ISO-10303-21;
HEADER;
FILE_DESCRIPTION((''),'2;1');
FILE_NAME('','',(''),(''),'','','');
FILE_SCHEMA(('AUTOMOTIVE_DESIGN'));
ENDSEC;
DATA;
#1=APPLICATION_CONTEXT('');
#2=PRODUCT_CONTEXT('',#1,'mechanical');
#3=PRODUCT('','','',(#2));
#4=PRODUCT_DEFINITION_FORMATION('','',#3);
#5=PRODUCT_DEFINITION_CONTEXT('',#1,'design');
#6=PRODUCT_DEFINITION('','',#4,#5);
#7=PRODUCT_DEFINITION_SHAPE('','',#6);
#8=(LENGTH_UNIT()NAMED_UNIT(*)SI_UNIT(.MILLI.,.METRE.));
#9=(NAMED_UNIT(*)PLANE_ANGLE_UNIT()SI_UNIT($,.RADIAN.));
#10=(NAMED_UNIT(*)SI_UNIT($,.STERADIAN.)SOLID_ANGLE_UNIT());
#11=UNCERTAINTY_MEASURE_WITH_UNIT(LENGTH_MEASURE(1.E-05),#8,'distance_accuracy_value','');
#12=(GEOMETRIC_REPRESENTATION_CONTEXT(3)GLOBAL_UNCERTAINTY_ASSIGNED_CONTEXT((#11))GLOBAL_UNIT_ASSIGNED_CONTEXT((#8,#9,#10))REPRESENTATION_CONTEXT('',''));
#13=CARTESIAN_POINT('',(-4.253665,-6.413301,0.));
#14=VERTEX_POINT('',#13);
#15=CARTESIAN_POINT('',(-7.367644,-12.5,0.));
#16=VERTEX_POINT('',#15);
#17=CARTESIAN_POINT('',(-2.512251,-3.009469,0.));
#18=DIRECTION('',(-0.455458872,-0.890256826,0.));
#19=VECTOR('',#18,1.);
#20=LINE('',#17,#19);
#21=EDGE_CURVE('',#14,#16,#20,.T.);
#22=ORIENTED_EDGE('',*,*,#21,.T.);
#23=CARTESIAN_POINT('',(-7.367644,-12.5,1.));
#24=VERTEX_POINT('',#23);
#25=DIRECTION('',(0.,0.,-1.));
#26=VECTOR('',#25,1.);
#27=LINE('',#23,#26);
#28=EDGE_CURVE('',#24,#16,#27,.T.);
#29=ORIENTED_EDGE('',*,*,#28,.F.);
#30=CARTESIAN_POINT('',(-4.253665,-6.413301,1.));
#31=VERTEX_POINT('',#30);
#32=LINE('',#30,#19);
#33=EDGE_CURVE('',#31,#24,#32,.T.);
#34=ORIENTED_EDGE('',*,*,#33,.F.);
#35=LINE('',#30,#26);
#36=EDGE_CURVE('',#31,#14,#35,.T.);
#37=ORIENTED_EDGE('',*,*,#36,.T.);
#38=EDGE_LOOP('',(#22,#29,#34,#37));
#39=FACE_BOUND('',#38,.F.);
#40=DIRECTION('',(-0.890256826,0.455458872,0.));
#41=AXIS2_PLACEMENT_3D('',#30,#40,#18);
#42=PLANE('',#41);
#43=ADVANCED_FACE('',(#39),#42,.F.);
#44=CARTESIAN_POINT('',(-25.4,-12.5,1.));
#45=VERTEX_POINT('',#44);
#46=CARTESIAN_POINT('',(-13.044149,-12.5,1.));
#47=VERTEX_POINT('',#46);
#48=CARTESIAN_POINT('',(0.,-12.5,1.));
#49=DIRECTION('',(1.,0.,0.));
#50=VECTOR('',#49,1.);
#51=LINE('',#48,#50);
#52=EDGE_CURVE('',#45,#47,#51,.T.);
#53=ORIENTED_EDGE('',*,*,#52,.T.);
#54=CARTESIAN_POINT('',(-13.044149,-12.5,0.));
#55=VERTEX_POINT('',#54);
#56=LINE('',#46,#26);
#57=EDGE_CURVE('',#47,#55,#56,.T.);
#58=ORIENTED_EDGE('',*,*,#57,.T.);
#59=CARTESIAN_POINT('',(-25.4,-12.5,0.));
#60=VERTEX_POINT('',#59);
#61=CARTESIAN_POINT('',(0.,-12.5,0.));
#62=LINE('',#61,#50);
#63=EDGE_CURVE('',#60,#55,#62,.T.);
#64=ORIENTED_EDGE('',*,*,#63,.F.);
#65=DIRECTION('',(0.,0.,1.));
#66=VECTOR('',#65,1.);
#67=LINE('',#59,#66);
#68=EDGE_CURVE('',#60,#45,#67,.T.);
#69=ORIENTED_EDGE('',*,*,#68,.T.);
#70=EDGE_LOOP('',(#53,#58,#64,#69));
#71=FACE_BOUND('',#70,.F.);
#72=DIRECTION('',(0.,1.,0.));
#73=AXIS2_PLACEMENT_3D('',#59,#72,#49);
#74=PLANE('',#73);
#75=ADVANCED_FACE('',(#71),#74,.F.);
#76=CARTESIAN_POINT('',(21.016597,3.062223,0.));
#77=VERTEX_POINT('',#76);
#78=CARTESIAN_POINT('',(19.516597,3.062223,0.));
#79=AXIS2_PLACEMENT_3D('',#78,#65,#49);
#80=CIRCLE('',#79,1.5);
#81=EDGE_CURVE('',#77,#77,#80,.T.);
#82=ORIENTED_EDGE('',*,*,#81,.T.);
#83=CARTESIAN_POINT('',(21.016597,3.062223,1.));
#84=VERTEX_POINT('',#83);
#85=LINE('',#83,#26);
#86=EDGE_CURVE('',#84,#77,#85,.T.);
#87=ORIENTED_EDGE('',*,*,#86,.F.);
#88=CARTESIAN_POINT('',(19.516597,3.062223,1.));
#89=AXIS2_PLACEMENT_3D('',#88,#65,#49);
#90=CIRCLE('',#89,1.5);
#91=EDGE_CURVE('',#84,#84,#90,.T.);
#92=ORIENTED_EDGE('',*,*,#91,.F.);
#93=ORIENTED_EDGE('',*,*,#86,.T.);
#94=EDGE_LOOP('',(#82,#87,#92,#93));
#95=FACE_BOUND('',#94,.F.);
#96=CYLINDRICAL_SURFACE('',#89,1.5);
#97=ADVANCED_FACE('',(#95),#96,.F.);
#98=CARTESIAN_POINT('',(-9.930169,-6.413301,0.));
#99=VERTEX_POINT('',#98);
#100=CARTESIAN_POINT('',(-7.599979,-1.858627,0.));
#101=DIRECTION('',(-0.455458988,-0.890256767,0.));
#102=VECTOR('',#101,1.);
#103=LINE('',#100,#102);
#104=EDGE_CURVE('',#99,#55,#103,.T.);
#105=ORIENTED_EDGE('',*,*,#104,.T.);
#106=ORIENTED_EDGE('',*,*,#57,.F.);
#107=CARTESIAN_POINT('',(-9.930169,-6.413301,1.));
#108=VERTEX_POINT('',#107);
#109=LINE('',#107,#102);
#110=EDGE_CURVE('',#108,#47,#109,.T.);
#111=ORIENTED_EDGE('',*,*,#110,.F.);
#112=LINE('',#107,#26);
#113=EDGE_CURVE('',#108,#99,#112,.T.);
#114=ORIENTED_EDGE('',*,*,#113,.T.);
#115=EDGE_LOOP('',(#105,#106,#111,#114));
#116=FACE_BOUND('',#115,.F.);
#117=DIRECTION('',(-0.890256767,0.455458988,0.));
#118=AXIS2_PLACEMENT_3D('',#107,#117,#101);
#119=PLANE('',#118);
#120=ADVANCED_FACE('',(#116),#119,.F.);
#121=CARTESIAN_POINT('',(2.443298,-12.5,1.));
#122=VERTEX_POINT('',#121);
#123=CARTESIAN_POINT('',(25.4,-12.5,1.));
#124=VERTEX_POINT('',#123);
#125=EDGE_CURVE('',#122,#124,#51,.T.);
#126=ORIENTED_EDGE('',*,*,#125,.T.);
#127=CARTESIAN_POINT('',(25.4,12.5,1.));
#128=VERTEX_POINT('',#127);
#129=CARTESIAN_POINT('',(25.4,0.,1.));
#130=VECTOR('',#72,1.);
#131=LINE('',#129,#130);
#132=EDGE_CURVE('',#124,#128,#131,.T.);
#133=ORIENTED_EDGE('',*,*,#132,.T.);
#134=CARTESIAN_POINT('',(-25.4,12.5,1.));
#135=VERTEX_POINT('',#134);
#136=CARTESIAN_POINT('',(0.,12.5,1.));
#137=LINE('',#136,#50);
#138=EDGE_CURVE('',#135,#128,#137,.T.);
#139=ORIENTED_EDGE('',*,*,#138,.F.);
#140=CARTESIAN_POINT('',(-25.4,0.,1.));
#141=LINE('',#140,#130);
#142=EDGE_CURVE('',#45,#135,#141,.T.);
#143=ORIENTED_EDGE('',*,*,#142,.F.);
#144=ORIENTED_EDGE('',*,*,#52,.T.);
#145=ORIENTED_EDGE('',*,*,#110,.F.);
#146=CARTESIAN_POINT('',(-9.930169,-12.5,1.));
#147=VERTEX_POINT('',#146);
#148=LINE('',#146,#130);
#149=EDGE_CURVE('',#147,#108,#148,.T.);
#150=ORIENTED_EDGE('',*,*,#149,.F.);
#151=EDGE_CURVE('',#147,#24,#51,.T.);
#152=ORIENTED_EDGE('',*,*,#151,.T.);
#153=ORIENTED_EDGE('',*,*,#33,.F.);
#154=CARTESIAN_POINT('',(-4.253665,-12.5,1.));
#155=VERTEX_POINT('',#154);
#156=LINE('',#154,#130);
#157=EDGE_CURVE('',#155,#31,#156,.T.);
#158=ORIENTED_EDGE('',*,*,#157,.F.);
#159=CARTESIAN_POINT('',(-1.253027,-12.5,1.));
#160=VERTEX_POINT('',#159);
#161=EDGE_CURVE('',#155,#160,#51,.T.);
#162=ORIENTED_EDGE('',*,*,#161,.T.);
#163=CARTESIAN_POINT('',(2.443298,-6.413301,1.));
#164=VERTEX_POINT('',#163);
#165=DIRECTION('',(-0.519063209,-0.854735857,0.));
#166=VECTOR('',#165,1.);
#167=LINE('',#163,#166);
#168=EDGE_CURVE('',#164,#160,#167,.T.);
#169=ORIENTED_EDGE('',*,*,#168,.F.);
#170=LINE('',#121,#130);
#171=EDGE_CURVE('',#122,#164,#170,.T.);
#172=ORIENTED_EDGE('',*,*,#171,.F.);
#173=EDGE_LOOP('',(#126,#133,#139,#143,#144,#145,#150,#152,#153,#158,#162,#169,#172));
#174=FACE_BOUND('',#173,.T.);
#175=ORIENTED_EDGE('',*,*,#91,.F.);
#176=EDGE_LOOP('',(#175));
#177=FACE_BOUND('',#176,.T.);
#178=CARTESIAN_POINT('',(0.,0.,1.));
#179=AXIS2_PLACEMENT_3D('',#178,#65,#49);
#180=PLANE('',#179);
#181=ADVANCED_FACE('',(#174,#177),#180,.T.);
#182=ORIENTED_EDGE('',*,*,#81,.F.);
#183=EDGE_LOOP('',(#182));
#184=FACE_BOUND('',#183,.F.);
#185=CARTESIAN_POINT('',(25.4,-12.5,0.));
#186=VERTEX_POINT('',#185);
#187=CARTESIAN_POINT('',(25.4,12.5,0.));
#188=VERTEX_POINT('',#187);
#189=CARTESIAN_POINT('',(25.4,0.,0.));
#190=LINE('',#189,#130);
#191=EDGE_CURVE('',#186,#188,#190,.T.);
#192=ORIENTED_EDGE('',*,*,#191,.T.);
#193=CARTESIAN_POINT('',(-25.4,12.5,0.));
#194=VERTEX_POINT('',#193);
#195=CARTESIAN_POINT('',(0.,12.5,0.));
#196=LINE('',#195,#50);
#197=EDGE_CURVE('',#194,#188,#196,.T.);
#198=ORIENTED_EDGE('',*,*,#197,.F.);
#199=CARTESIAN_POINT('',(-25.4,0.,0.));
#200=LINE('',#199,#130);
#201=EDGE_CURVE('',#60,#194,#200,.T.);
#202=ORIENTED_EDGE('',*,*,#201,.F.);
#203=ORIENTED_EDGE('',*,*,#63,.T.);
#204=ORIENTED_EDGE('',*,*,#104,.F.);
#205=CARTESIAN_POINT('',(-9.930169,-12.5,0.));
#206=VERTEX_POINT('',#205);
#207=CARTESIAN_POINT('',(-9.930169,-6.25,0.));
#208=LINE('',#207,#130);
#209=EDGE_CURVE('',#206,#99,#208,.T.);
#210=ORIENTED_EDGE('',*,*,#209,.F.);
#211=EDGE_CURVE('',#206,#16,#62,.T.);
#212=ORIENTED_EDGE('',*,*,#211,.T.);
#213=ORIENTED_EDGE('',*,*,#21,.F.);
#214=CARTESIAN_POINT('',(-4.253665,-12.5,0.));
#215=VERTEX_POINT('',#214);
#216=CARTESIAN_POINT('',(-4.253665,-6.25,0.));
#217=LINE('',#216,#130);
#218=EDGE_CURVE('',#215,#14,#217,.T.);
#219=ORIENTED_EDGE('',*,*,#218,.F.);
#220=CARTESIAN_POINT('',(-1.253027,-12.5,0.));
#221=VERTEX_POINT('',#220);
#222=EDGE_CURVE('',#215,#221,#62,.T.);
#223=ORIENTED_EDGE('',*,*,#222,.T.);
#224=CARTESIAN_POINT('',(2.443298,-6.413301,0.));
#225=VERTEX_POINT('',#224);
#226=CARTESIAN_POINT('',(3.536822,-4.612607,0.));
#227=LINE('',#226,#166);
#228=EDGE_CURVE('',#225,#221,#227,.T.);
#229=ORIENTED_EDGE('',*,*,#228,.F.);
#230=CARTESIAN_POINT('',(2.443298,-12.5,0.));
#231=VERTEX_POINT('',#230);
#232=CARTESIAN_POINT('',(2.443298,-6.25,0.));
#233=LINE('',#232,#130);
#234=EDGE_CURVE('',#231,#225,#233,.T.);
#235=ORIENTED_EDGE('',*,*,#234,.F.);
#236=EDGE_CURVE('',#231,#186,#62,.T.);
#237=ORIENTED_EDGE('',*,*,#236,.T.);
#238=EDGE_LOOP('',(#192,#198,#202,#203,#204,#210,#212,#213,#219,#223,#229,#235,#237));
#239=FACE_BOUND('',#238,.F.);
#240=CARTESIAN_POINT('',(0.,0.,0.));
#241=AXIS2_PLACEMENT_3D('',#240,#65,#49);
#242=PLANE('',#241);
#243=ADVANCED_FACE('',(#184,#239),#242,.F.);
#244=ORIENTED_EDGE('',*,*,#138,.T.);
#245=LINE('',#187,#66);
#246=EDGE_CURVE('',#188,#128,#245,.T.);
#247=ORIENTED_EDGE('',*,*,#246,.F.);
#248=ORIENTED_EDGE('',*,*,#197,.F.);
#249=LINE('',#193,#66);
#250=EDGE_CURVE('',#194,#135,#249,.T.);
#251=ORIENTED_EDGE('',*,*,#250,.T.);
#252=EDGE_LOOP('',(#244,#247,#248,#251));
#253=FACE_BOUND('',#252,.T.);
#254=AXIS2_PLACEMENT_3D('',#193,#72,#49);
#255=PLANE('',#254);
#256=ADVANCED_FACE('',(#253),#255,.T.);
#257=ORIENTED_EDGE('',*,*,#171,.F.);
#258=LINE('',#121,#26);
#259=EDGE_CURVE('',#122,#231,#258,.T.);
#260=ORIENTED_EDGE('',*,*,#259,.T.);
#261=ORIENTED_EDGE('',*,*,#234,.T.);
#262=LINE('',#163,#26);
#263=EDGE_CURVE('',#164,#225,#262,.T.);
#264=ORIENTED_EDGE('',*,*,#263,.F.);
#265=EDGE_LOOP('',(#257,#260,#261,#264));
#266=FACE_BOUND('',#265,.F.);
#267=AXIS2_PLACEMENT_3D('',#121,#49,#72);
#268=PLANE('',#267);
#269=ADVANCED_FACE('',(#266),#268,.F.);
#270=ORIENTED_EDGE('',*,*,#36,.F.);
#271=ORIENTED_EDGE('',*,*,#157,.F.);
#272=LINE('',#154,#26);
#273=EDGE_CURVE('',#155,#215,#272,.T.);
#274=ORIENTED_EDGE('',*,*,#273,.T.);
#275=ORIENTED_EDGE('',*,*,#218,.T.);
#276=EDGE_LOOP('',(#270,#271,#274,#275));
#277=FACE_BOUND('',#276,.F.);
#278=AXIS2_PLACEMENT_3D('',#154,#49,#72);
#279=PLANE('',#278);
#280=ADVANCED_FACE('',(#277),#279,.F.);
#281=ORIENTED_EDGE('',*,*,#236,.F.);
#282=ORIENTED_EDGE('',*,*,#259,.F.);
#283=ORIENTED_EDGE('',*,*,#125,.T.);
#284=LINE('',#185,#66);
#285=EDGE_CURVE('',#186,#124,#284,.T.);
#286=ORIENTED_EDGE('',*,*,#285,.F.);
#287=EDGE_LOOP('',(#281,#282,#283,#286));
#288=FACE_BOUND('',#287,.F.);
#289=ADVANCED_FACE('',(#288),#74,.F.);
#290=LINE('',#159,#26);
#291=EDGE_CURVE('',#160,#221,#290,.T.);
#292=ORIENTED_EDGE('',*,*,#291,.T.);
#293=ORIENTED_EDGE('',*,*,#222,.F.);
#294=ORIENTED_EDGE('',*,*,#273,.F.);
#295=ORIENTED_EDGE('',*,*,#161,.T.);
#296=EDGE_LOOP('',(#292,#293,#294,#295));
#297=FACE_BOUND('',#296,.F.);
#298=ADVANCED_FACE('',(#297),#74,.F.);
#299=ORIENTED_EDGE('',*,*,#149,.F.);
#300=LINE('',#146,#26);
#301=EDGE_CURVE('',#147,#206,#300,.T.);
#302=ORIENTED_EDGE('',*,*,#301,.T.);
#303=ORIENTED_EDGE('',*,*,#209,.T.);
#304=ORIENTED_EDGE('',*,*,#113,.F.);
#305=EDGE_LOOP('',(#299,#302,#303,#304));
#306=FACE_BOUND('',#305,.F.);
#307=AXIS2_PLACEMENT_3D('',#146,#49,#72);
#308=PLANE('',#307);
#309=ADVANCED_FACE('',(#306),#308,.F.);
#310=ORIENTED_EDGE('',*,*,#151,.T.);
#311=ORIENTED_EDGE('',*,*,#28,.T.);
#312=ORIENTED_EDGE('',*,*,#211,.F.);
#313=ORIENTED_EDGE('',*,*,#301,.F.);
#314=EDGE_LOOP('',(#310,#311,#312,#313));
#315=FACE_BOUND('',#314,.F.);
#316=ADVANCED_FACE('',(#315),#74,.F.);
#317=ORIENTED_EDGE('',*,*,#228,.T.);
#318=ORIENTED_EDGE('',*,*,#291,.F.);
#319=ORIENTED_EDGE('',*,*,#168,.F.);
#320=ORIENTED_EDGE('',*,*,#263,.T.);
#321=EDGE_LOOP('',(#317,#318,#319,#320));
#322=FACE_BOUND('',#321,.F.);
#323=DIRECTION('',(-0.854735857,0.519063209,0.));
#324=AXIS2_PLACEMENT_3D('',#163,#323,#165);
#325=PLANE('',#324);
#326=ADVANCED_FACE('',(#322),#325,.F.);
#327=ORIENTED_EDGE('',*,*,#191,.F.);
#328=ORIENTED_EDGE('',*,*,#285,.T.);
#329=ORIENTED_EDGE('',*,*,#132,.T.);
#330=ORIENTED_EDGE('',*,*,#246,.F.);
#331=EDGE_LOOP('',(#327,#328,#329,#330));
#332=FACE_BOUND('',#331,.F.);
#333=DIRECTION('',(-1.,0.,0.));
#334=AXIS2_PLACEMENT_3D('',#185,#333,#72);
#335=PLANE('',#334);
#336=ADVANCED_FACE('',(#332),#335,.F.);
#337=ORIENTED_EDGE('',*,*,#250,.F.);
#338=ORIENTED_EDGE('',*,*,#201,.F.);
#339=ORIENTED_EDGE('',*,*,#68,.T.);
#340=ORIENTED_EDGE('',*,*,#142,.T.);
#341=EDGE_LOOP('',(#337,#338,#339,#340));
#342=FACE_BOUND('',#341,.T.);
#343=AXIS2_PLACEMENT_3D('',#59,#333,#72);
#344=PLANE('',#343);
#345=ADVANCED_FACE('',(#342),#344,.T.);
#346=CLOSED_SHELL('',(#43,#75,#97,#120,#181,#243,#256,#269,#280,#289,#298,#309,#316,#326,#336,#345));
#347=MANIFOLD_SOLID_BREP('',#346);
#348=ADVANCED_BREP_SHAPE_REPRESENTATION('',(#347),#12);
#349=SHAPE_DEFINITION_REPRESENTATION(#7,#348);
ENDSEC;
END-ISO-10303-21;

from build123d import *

# Parameters (mm, degrees)
F0_W     = 50.8
F0_H     = 25
F1_DEPTH = 1
F2_R     = 1.5
F3_DEPTH = 25
F5_DEPTH = 25


with BuildPart() as f1:
    # F0 (on Top) → F1 (new body)
    with BuildSketch(Plane.XY):
        Rectangle(F0_W, F0_H)
    extrude(amount=F1_DEPTH)

    # F2 (on face) → F3 (cut)
    with BuildSketch(Plane.XY.offset(1)):
        with Locations((19.516597, 3.062223)):
            Circle(F2_R)
    extrude(amount=-F3_DEPTH, mode=Mode.SUBTRACT)

    # F4 (on face) → F5 (cut)
    with BuildSketch(Plane.XY.offset(1)):
        Polygon((-4.253665, -6.413301), (-7.367644, -12.5), (-4.253665, -12.5), align=None)
        Polygon((2.443298, -6.413301), (-1.253027, -12.5), (2.443298, -12.5), align=None)
        Polygon((-9.930169, -6.413301), (-13.044149, -12.5), (-9.930169, -12.5), align=None)
    extrude(amount=-F5_DEPTH, mode=Mode.SUBTRACT)


solid = f1.part
